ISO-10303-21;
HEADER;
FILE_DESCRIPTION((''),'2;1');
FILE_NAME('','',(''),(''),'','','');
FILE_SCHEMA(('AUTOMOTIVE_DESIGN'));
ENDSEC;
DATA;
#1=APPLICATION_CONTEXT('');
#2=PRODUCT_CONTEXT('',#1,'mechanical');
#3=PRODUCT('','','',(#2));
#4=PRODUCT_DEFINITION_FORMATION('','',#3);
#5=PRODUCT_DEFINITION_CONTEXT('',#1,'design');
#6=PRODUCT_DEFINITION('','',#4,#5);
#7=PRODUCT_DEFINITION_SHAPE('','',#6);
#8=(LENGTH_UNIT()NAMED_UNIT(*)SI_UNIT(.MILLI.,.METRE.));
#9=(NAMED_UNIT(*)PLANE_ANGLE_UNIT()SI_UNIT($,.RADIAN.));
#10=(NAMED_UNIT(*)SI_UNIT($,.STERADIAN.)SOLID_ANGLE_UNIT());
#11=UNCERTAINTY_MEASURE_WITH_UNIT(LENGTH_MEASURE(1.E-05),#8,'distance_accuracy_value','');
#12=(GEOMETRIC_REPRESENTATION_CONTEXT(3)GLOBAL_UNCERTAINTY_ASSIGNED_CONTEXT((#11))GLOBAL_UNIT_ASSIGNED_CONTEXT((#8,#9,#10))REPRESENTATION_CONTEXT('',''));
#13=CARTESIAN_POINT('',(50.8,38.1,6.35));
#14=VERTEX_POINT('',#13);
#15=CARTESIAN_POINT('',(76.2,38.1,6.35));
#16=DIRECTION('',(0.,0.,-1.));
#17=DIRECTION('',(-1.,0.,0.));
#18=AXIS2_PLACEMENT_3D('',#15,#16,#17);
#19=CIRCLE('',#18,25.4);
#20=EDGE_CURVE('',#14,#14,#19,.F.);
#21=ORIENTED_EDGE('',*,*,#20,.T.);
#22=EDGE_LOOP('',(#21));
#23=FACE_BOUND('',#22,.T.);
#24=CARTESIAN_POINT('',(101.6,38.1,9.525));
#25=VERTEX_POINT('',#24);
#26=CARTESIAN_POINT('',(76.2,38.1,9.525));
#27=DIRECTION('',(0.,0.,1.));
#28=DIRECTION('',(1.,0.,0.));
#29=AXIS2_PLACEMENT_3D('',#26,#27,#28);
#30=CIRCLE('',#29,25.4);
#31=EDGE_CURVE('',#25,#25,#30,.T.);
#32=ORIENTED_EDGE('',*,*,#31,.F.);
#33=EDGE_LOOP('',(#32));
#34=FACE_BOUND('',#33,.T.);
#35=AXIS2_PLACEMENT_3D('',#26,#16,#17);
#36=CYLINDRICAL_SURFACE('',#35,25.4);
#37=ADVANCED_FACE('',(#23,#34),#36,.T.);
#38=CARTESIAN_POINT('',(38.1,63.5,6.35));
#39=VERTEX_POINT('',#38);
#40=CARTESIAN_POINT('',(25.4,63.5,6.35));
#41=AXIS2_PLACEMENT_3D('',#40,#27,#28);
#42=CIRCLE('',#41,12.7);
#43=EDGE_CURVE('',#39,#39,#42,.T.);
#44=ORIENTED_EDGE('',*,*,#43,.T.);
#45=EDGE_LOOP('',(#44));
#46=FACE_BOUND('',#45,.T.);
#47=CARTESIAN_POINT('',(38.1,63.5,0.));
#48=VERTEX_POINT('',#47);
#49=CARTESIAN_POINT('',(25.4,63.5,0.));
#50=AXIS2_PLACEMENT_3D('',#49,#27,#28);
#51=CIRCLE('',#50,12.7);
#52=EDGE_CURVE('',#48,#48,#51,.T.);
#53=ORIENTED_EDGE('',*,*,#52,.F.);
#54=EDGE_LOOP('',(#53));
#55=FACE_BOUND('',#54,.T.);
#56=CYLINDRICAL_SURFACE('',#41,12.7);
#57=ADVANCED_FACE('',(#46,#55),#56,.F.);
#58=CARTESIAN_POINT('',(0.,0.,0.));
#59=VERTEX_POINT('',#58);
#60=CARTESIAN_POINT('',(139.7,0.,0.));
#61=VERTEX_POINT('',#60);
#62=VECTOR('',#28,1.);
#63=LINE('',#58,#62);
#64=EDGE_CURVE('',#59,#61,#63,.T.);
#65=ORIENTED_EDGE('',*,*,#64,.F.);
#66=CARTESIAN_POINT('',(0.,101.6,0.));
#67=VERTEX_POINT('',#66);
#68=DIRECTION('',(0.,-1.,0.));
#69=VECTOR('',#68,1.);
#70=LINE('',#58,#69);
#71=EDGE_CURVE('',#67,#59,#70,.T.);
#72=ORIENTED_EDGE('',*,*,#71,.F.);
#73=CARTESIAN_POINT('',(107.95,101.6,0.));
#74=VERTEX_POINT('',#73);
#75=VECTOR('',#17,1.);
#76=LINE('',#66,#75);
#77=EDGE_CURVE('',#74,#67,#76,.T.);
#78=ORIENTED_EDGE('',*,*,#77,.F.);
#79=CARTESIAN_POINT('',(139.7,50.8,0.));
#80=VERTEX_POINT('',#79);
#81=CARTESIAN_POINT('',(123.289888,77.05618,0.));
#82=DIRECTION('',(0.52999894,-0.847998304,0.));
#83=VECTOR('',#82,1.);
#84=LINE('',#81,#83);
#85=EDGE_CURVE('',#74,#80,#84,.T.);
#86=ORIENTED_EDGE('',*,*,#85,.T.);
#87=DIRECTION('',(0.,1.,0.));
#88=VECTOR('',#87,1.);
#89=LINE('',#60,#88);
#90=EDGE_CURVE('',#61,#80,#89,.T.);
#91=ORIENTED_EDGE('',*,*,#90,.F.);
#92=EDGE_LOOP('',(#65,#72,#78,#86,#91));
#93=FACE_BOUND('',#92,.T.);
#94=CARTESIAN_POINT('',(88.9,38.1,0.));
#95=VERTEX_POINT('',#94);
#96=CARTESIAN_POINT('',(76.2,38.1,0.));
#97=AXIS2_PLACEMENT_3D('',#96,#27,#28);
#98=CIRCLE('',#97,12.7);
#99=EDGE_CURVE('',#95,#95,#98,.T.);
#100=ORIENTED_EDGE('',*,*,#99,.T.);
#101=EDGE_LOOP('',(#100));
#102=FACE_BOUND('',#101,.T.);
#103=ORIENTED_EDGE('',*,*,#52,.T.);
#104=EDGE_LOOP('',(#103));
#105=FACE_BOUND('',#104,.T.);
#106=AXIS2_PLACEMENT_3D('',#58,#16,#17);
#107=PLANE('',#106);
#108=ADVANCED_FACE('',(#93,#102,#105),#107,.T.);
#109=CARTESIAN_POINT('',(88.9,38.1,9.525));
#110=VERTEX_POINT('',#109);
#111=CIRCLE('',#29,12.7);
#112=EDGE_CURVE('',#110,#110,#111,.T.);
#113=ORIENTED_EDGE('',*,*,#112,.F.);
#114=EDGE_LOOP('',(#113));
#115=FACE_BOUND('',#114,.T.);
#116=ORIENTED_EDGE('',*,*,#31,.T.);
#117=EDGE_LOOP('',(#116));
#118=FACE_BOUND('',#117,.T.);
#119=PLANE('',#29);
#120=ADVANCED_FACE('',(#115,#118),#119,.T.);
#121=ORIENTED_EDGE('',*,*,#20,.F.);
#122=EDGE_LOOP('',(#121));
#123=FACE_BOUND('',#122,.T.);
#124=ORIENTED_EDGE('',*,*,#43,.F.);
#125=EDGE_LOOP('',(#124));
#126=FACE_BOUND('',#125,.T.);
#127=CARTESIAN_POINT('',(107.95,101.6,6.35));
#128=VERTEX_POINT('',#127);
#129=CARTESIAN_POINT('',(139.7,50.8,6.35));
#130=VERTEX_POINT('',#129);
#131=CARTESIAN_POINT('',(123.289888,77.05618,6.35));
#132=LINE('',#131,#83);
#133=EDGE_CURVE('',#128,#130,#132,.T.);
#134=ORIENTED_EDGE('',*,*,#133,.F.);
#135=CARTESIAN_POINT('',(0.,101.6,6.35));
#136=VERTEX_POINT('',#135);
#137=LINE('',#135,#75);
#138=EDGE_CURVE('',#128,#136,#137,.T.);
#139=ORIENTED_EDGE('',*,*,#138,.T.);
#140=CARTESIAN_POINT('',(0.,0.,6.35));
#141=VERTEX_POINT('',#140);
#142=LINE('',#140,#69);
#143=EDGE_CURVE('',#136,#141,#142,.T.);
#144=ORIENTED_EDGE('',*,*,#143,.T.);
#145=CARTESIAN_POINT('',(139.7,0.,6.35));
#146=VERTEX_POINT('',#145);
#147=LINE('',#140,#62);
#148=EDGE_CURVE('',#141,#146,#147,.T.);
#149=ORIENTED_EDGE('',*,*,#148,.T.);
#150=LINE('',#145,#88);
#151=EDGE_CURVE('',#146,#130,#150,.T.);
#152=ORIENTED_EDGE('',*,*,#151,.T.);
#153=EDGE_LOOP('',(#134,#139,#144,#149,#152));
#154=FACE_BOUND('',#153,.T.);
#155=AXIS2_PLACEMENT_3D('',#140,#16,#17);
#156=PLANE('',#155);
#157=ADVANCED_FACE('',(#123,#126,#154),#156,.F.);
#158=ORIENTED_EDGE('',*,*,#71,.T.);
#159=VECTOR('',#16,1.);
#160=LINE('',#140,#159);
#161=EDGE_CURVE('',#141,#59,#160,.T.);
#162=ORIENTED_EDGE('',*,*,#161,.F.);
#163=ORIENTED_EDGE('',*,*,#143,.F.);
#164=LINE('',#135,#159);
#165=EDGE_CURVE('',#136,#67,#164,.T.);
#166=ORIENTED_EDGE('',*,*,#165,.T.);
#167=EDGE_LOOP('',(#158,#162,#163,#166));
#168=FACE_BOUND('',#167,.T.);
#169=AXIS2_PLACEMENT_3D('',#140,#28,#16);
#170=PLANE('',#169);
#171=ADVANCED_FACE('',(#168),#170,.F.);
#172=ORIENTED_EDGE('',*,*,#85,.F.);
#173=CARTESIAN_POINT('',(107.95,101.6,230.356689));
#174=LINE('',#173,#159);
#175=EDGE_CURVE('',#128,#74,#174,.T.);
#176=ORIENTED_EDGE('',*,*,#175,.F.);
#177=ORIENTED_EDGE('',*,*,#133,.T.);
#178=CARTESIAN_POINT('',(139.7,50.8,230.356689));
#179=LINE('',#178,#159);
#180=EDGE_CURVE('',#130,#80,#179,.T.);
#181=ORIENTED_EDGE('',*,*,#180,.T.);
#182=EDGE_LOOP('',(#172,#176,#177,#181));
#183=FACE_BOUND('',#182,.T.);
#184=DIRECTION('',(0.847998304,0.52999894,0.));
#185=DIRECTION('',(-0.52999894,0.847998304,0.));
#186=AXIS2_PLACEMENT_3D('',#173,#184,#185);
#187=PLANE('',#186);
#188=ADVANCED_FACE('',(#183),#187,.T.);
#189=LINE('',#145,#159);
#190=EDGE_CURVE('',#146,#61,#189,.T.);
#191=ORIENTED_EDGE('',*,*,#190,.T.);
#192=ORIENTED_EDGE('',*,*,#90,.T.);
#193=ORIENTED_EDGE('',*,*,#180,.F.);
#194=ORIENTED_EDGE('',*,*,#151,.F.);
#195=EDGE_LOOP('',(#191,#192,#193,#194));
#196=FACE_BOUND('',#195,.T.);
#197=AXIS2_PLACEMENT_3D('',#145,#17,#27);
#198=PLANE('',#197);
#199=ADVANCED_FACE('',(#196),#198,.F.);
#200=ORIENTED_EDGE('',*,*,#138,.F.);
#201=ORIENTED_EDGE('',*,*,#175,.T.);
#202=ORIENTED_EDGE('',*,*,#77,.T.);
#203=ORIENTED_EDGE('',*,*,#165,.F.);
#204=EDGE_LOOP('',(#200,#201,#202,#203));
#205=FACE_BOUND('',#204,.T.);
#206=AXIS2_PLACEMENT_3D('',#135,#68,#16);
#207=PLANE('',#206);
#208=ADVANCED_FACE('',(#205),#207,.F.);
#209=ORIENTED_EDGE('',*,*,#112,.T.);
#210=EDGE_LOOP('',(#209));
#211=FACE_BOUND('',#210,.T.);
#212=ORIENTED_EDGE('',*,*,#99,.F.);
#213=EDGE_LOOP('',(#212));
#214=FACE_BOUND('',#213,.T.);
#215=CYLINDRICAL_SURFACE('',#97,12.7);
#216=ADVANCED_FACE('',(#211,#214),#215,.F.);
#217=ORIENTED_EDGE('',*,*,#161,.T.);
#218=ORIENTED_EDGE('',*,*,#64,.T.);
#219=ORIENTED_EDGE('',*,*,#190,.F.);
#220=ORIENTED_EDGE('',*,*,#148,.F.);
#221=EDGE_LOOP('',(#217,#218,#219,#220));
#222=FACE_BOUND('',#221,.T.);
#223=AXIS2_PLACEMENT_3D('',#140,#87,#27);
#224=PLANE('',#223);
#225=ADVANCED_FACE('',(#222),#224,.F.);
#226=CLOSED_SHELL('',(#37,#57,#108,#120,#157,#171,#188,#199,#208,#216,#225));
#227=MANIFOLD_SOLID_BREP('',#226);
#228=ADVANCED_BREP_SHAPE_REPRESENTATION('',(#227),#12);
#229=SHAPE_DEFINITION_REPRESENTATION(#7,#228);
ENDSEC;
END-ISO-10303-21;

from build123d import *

# Parameters (mm, degrees)
SKETCH1_W               = 139.7
SKETCH1_H               = 101.6
BOSS_EXTRUDE1_DEPTH     = 6.35
CUT_EXTRUDE1_DEPTH      = 173.855351378
CUT_EXTRUDE1_DEPTH_BACK = 173.855351378
F_1_1_DIAMETER_HOLE1_D  = 25.4
SKETCH5_R               = 25.4
BOSS_EXTRUDE2_DEPTH     = 3.175
SKETCH6_R               = 12.7
CUT_EXTRUDE2_DEPTH      = 174.001085618


with BuildPart() as part:
    # Sketch1 → Boss-Extrude1 (new body)
    with BuildSketch(Plane.XY):
        with Locations((69.85, 50.8)):
            Rectangle(SKETCH1_W, SKETCH1_H)
    extrude(amount=BOSS_EXTRUDE1_DEPTH)

    # Sketch2 → Cut-Extrude1 (cut, two sides: drawn at the far end of the back side and taken through both)
    with BuildSketch(Plane.XY.offset(6.35).offset(-CUT_EXTRUDE1_DEPTH_BACK)):
        Polygon((-54.918344462, 362.189351139), (107.95, 101.6), (139.7, 50.8), (302.568344462, -209.789351139), (823.747046739, 115.947337785), (466.260357816, 687.926040062), align=None)
    extrude(amount=CUT_EXTRUDE1_DEPTH + CUT_EXTRUDE1_DEPTH_BACK, mode=Mode.SUBTRACT)

    # 1 (1) Diameter Hole1 (through all)
    with Locations(Plane.XY.offset(6.35)):
        with Locations((25.4, 63.5)):
            Hole(F_1_1_DIAMETER_HOLE1_D / 2)

    # Sketch5 → Boss-Extrude2 (add)
    with BuildSketch(Plane.XY.offset(6.35)):
        with Locations(Location((76.2, 38.1, 0), (0, 0, 180))):
            Circle(SKETCH5_R)
    extrude(amount=BOSS_EXTRUDE2_DEPTH)

    # Sketch6 → Cut-Extrude2 (cut, through all)
    with BuildSketch(Plane.XY.offset(9.525)):
        with Locations((76.2, 38.1)):
            Circle(SKETCH6_R)
    extrude(amount=-CUT_EXTRUDE2_DEPTH, mode=Mode.SUBTRACT)


solid = part.part
